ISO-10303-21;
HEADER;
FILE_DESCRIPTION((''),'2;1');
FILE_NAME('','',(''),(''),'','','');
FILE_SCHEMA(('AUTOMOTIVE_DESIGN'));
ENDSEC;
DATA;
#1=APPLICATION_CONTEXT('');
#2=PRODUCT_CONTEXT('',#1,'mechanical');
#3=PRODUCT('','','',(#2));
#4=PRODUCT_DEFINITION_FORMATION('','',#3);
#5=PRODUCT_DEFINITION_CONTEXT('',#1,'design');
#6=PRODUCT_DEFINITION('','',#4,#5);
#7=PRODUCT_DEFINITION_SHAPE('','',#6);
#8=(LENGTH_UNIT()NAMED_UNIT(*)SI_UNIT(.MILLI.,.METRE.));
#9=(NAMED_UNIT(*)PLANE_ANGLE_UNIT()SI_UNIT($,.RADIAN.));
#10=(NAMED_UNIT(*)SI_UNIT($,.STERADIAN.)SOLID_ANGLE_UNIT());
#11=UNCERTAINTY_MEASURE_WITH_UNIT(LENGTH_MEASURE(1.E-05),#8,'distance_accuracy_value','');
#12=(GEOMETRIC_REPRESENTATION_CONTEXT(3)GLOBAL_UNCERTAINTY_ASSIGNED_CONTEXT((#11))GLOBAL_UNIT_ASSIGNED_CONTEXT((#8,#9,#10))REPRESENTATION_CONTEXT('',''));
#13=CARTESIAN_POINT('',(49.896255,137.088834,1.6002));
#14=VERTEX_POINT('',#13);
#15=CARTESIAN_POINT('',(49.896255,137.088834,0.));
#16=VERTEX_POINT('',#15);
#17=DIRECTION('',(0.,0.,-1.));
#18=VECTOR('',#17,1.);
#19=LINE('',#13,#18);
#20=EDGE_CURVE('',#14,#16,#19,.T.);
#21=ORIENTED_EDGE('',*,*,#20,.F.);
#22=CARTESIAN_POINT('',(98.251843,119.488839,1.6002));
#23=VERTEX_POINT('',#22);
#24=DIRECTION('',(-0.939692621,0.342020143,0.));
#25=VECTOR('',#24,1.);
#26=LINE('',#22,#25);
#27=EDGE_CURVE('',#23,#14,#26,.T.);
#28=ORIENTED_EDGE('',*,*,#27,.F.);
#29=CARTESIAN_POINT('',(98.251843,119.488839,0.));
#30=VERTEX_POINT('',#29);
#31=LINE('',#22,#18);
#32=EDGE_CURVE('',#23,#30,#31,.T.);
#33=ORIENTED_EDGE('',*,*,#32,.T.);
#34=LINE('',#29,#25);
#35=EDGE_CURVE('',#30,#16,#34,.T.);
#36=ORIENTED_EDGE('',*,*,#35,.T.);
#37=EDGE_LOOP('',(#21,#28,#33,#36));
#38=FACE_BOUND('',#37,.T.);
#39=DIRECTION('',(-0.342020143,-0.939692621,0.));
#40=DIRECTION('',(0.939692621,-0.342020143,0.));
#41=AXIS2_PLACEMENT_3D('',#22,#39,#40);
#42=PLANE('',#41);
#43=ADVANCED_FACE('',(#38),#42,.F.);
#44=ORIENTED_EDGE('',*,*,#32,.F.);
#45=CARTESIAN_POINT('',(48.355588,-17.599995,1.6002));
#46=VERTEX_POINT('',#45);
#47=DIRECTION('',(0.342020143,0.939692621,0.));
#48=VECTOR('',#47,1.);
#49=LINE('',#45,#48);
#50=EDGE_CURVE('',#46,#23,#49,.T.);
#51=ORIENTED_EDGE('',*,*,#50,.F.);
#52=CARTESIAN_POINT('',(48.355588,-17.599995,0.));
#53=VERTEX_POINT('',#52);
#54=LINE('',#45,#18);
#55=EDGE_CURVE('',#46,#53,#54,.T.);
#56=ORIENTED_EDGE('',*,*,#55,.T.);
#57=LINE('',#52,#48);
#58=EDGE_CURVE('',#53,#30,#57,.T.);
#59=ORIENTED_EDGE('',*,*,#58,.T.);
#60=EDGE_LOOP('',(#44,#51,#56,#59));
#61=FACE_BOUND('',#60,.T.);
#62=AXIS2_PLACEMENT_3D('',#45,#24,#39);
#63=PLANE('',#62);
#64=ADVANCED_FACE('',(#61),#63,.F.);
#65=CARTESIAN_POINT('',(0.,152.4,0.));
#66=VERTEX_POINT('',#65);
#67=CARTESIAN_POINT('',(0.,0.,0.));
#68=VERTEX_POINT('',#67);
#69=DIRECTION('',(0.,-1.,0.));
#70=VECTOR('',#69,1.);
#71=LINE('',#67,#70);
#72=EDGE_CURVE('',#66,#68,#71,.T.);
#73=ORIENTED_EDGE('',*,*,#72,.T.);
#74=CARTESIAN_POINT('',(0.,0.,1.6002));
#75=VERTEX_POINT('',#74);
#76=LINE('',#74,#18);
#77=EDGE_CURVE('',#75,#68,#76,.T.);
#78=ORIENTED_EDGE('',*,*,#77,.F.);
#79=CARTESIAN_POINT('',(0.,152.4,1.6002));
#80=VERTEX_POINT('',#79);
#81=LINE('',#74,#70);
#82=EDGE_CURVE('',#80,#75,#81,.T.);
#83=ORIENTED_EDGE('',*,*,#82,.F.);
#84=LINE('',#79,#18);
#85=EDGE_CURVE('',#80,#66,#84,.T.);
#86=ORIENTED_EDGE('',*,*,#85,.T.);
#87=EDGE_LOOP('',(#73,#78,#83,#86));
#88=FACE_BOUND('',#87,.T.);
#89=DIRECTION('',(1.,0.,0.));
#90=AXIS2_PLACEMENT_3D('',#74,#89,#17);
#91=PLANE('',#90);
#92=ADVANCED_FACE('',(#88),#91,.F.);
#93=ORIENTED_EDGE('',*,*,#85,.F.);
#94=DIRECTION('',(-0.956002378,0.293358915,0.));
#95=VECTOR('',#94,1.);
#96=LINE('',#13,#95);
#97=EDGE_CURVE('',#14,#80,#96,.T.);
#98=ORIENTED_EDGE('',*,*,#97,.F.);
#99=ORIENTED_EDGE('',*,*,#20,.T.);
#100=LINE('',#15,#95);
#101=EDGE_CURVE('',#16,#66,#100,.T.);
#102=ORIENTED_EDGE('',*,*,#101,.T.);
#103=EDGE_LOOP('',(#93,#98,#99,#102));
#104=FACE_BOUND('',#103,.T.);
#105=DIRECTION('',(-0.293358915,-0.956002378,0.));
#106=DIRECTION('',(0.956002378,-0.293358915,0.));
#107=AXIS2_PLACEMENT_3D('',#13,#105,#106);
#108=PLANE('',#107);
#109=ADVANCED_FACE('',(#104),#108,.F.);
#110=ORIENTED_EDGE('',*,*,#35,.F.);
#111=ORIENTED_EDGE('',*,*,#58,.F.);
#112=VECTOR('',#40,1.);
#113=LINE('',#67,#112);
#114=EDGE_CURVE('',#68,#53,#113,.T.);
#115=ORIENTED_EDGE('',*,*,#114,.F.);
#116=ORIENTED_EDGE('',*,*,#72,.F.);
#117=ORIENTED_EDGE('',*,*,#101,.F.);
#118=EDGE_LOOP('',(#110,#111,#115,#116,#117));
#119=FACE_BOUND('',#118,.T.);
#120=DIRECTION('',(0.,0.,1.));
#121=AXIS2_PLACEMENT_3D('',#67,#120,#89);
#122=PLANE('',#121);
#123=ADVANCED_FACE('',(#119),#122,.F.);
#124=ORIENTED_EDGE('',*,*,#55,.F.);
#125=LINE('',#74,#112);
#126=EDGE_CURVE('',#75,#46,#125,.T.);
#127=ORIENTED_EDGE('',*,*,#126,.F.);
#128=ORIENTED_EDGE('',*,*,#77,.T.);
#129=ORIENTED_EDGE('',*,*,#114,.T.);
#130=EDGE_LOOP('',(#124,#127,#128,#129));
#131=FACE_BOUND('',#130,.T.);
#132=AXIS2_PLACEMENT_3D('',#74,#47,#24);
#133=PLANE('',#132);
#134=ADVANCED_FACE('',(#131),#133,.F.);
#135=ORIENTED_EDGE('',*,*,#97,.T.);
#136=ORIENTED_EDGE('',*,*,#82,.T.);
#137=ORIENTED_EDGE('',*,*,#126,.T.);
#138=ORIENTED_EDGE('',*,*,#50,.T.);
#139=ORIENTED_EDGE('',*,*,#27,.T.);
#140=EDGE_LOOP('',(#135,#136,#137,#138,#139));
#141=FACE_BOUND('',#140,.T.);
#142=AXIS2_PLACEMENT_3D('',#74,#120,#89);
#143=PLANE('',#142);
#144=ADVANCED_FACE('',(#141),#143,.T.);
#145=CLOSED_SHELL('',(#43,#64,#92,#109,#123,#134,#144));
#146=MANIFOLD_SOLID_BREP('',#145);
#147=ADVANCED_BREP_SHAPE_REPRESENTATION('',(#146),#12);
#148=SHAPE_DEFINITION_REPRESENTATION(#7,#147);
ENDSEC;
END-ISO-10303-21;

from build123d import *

# Parameters (mm, degrees)
BOSS_EXTRUDE1_DEPTH = 1.6002


with BuildPart() as part:
    # Sketch1 → Boss-Extrude1 (new body)
    with BuildSketch(Plane.XY):
        Polygon((0, 0), (0, 152.4), (49.896254981, 137.088833876), (98.251843088, 119.488839144), (48.355588107, -17.599994731), align=None)
    extrude(amount=BOSS_EXTRUDE1_DEPTH)


solid = part.part
